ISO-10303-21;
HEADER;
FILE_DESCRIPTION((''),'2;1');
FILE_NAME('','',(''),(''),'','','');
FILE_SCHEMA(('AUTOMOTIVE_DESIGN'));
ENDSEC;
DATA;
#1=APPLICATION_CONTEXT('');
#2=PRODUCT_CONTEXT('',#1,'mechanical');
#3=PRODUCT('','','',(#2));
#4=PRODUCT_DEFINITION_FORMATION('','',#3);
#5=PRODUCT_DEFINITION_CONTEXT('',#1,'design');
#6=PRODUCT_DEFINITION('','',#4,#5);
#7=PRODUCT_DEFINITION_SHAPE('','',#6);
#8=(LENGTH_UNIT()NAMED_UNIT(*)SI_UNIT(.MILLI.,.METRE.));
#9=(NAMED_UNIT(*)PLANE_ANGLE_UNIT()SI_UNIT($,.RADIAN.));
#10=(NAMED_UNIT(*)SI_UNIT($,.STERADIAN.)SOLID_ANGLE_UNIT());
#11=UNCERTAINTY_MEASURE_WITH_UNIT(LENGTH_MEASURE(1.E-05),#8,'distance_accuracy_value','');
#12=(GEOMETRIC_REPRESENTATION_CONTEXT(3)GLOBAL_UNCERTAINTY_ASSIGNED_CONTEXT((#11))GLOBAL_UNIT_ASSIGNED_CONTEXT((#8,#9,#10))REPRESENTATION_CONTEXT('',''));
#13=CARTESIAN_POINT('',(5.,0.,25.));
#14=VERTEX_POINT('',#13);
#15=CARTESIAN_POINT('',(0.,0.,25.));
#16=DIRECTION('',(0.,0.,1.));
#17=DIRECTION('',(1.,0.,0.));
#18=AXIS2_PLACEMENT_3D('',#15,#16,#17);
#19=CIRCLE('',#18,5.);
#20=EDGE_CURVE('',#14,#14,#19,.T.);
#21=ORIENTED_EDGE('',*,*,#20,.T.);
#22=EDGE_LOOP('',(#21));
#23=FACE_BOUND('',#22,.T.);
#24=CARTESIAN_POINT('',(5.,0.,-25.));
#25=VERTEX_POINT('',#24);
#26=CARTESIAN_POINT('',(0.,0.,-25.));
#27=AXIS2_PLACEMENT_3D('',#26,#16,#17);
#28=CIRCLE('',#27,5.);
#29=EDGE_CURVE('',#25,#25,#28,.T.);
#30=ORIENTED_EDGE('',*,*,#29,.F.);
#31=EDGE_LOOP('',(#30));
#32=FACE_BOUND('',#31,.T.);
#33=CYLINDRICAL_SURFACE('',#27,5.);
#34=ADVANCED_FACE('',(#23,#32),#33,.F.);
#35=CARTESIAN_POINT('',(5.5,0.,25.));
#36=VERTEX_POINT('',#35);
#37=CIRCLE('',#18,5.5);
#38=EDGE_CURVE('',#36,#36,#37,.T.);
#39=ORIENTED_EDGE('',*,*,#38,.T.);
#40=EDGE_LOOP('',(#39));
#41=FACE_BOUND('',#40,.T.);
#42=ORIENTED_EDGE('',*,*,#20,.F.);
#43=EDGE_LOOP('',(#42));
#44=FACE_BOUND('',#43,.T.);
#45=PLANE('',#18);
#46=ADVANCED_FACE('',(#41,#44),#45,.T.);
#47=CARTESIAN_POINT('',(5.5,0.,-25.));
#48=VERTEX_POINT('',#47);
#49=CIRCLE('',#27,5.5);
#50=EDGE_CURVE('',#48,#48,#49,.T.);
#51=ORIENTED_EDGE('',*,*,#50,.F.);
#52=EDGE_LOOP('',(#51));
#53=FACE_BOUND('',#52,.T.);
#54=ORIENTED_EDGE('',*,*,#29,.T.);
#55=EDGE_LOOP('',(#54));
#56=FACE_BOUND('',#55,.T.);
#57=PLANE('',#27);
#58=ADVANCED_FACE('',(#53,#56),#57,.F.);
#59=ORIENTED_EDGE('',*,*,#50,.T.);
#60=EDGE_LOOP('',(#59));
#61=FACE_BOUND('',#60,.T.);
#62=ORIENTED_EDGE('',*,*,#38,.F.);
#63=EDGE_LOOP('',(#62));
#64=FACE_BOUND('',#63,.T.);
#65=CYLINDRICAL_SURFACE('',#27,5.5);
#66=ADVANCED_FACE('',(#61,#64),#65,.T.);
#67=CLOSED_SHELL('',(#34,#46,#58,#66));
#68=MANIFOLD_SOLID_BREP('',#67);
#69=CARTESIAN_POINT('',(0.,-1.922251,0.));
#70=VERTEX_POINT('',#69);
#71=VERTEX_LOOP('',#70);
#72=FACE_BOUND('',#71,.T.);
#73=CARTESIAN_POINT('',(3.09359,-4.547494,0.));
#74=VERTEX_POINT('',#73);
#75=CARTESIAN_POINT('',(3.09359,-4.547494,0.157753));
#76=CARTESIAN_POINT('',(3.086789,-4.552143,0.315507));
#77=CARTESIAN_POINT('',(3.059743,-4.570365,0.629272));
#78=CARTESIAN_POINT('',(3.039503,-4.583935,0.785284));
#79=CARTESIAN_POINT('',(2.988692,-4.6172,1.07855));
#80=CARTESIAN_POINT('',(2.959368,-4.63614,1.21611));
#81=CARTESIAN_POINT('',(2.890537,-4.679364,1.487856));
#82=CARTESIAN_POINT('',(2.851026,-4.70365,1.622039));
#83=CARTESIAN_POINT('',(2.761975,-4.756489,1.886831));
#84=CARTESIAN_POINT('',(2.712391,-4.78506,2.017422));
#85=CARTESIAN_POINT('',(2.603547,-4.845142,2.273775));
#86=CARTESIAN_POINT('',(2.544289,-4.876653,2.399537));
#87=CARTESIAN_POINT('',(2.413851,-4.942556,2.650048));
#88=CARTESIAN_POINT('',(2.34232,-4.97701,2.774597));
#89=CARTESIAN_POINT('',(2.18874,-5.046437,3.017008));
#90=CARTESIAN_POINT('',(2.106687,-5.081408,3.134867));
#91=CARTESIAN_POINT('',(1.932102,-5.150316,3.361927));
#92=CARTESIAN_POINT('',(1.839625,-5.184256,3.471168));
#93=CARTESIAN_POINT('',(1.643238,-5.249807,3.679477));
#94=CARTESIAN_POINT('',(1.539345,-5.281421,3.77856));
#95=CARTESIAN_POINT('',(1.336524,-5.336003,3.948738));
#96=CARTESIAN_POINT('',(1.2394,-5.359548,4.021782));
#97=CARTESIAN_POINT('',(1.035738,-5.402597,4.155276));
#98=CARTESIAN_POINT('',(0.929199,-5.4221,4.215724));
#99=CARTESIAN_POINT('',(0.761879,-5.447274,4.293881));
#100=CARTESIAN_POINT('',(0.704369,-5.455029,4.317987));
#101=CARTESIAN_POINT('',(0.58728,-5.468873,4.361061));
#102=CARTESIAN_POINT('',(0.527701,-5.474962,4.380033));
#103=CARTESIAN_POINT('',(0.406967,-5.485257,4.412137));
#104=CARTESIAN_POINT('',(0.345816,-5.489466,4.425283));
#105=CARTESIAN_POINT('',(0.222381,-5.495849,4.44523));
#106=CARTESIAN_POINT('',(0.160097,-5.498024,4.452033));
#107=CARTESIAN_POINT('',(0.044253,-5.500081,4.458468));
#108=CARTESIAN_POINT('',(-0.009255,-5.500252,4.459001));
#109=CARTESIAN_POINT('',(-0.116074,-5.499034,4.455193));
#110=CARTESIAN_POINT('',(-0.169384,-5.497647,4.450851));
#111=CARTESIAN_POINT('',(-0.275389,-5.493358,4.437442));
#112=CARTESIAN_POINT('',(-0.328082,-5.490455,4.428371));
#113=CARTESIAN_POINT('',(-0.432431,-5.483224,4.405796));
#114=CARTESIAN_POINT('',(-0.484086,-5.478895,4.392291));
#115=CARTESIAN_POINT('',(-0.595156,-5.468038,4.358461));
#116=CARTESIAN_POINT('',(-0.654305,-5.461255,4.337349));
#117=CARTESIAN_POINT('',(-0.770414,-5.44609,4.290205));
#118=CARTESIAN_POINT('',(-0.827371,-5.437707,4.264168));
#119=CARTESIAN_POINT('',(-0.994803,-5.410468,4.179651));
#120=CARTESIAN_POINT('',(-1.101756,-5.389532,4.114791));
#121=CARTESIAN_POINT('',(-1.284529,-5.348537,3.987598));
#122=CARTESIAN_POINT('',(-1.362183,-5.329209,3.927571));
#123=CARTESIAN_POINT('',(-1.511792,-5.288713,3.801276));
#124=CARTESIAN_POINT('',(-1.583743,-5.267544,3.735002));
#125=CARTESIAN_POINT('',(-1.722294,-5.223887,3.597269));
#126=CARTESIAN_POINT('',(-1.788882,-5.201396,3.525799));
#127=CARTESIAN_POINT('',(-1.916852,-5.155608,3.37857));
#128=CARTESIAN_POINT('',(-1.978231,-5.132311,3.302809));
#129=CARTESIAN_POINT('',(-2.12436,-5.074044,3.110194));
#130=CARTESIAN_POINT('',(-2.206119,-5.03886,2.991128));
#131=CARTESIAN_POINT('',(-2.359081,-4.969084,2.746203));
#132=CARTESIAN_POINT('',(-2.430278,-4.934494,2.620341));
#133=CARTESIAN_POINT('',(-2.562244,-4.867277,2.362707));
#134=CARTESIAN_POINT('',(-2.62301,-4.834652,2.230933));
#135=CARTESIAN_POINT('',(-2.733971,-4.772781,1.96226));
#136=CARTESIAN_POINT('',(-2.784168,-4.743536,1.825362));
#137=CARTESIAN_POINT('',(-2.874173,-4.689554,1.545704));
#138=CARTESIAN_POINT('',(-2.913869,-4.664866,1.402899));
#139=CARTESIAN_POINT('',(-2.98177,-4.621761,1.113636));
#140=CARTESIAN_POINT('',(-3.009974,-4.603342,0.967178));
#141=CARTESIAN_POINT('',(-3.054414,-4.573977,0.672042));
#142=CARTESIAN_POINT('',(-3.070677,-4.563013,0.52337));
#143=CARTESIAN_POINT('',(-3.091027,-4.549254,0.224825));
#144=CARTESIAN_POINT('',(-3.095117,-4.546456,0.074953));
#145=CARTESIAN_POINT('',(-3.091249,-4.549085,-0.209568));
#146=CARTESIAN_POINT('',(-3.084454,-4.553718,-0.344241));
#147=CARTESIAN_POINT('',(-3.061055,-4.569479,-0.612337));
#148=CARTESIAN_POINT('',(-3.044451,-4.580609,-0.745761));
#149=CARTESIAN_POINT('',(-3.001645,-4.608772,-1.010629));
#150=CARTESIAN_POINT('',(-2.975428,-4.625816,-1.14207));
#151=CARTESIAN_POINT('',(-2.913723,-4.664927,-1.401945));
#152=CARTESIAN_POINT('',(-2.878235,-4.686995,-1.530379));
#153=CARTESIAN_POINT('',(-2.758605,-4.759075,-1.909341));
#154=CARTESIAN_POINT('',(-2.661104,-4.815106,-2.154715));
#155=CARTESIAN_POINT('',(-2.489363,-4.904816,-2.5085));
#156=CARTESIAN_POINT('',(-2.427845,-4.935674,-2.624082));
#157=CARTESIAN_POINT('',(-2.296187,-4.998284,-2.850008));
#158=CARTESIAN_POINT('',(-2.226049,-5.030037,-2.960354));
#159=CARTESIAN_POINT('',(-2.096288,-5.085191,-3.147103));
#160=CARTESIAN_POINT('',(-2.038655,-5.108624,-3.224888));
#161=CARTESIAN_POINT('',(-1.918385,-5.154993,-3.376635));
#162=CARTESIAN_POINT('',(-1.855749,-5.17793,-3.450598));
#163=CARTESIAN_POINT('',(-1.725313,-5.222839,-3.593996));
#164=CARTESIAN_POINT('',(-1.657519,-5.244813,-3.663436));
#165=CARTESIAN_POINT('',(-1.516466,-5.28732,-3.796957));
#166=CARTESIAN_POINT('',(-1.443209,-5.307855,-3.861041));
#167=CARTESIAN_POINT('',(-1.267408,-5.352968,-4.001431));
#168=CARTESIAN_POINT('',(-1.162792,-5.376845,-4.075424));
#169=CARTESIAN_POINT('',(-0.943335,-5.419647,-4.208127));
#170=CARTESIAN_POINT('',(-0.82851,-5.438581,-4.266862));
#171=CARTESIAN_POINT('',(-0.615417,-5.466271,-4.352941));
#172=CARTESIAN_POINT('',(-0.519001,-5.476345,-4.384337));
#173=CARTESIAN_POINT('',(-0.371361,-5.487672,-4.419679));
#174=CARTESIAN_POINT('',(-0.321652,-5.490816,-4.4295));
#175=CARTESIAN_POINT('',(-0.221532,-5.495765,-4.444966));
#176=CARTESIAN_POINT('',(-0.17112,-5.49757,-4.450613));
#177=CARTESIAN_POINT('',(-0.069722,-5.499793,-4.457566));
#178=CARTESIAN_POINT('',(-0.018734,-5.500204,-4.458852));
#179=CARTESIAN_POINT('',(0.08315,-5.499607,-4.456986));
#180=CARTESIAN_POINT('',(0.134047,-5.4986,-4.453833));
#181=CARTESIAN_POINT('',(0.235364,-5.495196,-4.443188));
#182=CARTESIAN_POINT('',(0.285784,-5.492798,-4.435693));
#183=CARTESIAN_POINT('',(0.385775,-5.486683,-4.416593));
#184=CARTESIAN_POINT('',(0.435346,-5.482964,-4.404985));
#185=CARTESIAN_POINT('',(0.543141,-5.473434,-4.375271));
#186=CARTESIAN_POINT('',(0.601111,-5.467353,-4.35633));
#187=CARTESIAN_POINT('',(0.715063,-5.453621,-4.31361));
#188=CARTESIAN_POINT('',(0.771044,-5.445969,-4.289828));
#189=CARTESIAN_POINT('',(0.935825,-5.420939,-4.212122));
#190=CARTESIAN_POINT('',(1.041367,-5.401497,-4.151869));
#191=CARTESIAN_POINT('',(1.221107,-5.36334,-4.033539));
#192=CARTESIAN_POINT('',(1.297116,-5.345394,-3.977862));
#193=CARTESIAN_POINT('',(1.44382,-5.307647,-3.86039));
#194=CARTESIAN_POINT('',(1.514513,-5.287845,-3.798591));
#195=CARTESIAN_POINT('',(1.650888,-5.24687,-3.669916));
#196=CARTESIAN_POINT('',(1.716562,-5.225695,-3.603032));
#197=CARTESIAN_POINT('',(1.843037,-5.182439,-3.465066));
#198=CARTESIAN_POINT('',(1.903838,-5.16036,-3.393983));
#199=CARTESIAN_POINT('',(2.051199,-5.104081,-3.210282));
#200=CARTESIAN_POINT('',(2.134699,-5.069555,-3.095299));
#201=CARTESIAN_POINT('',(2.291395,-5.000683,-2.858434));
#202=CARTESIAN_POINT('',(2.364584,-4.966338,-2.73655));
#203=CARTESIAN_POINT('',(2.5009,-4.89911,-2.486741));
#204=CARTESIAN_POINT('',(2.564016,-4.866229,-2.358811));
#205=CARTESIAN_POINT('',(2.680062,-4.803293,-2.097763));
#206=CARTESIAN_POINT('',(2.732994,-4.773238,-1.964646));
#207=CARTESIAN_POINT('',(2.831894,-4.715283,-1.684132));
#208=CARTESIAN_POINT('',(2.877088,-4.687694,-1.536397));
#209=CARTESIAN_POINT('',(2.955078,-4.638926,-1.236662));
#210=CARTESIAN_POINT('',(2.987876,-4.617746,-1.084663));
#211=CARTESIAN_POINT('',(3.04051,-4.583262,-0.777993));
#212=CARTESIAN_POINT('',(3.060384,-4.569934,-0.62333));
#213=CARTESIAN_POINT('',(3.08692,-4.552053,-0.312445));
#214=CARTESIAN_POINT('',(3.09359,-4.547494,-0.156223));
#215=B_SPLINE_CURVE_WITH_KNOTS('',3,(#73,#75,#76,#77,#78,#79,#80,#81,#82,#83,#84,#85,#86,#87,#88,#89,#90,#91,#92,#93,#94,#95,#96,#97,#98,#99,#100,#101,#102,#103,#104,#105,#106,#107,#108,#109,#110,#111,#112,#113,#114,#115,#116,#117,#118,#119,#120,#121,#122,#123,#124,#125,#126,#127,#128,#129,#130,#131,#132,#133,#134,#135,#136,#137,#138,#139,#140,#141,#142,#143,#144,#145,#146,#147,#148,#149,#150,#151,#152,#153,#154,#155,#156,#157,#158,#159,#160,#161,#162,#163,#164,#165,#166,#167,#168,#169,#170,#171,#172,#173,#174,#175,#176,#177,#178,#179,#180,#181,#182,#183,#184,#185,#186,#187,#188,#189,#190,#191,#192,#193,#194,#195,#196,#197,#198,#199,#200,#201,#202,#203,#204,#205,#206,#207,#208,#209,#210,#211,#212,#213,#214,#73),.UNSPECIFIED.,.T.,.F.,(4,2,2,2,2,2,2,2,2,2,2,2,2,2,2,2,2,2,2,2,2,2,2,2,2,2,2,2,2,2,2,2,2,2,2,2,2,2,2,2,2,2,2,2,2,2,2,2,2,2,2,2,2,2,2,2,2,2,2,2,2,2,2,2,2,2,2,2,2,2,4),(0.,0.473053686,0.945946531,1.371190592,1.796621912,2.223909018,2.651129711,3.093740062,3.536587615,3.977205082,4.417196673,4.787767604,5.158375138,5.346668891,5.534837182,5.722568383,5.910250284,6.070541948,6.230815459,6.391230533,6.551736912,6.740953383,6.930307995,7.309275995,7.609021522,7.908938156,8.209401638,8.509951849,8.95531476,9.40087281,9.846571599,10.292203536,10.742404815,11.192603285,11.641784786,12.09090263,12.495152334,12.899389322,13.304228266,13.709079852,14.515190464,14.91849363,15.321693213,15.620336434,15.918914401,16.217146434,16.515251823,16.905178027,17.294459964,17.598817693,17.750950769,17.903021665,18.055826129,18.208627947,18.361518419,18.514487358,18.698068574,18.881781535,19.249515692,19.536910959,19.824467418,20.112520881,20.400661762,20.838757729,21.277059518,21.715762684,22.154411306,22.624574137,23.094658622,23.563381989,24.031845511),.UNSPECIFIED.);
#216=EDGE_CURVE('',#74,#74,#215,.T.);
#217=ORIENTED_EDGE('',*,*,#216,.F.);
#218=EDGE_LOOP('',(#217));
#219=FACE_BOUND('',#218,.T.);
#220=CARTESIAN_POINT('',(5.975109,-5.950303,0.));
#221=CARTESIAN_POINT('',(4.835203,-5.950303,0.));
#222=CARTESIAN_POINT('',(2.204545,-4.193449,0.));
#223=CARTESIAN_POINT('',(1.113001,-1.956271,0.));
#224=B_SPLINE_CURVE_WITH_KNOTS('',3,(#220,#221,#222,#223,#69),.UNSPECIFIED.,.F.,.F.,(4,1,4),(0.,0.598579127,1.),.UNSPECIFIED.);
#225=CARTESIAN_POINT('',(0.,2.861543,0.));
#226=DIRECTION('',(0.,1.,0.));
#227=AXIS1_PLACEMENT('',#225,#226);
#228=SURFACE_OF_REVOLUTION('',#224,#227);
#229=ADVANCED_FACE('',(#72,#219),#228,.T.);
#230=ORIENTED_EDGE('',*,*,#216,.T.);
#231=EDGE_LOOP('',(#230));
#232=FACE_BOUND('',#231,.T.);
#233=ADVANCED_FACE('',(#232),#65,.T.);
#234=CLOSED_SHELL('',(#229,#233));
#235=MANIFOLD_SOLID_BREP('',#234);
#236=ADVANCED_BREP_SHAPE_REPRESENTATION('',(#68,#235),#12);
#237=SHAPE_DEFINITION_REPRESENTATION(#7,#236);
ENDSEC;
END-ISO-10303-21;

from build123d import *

# Parameters (mm, degrees)
SKETCH1_R                = 5.5
SKETCH1_R_2              = 5
BOSS_EXTRUDE1_DEPTH      = 25
BOSS_EXTRUDE1_DEPTH_BACK = 25
SKETCH5_R                = 10
SKETCH5_R_2              = 5.5
CUT_EXTRUDE1_DEPTH       = 26
CUT_EXTRUDE1_DEPTH_BACK  = 26


with BuildPart() as part:
    # Sketch1 → Boss-Extrude1 (new body, two sides)
    with BuildSketch(Plane.XY) as boss_extrude1_sk:
        Circle(SKETCH1_R)
        Circle(SKETCH1_R_2, mode=Mode.SUBTRACT)
    extrude(amount=BOSS_EXTRUDE1_DEPTH)
    extrude(boss_extrude1_sk.sketch, amount=-BOSS_EXTRUDE1_DEPTH_BACK)


with BuildPart() as body_2:
    # Sketch2 → Revolve1 (revolve)
    with BuildSketch(Plane.XY):
        with BuildLine():
            Line((5.975108931, -5.950302735), (0, -5.950302735))
            Line((0, -5.950302735), (0, -1.922251211))
            add(Edge.make_bspline(
                [(0, -1.922251211), (1.113001322, -1.956271274), (2.204544845, -4.193448832), (4.835203148, -5.950302735), (5.975108931, -5.950302735)],
                knots=[0, 0, 0, 0, 0.401420873, 1, 1, 1, 1], degree=3))
        make_face()
    revolve(axis=Axis((0, 2.861542665, 0), (0, -1, 0)))

    # Sketch5 → Cut-Extrude1 (cut, two sides)
    with BuildSketch(Plane.XY) as cut_extrude1_sk:
        Circle(SKETCH5_R)
        Circle(SKETCH5_R_2, mode=Mode.SUBTRACT)
    extrude(amount=CUT_EXTRUDE1_DEPTH, mode=Mode.SUBTRACT)
    extrude(cut_extrude1_sk.sketch, amount=-CUT_EXTRUDE1_DEPTH_BACK, mode=Mode.SUBTRACT)


solid = Compound([part.part, body_2.part])
